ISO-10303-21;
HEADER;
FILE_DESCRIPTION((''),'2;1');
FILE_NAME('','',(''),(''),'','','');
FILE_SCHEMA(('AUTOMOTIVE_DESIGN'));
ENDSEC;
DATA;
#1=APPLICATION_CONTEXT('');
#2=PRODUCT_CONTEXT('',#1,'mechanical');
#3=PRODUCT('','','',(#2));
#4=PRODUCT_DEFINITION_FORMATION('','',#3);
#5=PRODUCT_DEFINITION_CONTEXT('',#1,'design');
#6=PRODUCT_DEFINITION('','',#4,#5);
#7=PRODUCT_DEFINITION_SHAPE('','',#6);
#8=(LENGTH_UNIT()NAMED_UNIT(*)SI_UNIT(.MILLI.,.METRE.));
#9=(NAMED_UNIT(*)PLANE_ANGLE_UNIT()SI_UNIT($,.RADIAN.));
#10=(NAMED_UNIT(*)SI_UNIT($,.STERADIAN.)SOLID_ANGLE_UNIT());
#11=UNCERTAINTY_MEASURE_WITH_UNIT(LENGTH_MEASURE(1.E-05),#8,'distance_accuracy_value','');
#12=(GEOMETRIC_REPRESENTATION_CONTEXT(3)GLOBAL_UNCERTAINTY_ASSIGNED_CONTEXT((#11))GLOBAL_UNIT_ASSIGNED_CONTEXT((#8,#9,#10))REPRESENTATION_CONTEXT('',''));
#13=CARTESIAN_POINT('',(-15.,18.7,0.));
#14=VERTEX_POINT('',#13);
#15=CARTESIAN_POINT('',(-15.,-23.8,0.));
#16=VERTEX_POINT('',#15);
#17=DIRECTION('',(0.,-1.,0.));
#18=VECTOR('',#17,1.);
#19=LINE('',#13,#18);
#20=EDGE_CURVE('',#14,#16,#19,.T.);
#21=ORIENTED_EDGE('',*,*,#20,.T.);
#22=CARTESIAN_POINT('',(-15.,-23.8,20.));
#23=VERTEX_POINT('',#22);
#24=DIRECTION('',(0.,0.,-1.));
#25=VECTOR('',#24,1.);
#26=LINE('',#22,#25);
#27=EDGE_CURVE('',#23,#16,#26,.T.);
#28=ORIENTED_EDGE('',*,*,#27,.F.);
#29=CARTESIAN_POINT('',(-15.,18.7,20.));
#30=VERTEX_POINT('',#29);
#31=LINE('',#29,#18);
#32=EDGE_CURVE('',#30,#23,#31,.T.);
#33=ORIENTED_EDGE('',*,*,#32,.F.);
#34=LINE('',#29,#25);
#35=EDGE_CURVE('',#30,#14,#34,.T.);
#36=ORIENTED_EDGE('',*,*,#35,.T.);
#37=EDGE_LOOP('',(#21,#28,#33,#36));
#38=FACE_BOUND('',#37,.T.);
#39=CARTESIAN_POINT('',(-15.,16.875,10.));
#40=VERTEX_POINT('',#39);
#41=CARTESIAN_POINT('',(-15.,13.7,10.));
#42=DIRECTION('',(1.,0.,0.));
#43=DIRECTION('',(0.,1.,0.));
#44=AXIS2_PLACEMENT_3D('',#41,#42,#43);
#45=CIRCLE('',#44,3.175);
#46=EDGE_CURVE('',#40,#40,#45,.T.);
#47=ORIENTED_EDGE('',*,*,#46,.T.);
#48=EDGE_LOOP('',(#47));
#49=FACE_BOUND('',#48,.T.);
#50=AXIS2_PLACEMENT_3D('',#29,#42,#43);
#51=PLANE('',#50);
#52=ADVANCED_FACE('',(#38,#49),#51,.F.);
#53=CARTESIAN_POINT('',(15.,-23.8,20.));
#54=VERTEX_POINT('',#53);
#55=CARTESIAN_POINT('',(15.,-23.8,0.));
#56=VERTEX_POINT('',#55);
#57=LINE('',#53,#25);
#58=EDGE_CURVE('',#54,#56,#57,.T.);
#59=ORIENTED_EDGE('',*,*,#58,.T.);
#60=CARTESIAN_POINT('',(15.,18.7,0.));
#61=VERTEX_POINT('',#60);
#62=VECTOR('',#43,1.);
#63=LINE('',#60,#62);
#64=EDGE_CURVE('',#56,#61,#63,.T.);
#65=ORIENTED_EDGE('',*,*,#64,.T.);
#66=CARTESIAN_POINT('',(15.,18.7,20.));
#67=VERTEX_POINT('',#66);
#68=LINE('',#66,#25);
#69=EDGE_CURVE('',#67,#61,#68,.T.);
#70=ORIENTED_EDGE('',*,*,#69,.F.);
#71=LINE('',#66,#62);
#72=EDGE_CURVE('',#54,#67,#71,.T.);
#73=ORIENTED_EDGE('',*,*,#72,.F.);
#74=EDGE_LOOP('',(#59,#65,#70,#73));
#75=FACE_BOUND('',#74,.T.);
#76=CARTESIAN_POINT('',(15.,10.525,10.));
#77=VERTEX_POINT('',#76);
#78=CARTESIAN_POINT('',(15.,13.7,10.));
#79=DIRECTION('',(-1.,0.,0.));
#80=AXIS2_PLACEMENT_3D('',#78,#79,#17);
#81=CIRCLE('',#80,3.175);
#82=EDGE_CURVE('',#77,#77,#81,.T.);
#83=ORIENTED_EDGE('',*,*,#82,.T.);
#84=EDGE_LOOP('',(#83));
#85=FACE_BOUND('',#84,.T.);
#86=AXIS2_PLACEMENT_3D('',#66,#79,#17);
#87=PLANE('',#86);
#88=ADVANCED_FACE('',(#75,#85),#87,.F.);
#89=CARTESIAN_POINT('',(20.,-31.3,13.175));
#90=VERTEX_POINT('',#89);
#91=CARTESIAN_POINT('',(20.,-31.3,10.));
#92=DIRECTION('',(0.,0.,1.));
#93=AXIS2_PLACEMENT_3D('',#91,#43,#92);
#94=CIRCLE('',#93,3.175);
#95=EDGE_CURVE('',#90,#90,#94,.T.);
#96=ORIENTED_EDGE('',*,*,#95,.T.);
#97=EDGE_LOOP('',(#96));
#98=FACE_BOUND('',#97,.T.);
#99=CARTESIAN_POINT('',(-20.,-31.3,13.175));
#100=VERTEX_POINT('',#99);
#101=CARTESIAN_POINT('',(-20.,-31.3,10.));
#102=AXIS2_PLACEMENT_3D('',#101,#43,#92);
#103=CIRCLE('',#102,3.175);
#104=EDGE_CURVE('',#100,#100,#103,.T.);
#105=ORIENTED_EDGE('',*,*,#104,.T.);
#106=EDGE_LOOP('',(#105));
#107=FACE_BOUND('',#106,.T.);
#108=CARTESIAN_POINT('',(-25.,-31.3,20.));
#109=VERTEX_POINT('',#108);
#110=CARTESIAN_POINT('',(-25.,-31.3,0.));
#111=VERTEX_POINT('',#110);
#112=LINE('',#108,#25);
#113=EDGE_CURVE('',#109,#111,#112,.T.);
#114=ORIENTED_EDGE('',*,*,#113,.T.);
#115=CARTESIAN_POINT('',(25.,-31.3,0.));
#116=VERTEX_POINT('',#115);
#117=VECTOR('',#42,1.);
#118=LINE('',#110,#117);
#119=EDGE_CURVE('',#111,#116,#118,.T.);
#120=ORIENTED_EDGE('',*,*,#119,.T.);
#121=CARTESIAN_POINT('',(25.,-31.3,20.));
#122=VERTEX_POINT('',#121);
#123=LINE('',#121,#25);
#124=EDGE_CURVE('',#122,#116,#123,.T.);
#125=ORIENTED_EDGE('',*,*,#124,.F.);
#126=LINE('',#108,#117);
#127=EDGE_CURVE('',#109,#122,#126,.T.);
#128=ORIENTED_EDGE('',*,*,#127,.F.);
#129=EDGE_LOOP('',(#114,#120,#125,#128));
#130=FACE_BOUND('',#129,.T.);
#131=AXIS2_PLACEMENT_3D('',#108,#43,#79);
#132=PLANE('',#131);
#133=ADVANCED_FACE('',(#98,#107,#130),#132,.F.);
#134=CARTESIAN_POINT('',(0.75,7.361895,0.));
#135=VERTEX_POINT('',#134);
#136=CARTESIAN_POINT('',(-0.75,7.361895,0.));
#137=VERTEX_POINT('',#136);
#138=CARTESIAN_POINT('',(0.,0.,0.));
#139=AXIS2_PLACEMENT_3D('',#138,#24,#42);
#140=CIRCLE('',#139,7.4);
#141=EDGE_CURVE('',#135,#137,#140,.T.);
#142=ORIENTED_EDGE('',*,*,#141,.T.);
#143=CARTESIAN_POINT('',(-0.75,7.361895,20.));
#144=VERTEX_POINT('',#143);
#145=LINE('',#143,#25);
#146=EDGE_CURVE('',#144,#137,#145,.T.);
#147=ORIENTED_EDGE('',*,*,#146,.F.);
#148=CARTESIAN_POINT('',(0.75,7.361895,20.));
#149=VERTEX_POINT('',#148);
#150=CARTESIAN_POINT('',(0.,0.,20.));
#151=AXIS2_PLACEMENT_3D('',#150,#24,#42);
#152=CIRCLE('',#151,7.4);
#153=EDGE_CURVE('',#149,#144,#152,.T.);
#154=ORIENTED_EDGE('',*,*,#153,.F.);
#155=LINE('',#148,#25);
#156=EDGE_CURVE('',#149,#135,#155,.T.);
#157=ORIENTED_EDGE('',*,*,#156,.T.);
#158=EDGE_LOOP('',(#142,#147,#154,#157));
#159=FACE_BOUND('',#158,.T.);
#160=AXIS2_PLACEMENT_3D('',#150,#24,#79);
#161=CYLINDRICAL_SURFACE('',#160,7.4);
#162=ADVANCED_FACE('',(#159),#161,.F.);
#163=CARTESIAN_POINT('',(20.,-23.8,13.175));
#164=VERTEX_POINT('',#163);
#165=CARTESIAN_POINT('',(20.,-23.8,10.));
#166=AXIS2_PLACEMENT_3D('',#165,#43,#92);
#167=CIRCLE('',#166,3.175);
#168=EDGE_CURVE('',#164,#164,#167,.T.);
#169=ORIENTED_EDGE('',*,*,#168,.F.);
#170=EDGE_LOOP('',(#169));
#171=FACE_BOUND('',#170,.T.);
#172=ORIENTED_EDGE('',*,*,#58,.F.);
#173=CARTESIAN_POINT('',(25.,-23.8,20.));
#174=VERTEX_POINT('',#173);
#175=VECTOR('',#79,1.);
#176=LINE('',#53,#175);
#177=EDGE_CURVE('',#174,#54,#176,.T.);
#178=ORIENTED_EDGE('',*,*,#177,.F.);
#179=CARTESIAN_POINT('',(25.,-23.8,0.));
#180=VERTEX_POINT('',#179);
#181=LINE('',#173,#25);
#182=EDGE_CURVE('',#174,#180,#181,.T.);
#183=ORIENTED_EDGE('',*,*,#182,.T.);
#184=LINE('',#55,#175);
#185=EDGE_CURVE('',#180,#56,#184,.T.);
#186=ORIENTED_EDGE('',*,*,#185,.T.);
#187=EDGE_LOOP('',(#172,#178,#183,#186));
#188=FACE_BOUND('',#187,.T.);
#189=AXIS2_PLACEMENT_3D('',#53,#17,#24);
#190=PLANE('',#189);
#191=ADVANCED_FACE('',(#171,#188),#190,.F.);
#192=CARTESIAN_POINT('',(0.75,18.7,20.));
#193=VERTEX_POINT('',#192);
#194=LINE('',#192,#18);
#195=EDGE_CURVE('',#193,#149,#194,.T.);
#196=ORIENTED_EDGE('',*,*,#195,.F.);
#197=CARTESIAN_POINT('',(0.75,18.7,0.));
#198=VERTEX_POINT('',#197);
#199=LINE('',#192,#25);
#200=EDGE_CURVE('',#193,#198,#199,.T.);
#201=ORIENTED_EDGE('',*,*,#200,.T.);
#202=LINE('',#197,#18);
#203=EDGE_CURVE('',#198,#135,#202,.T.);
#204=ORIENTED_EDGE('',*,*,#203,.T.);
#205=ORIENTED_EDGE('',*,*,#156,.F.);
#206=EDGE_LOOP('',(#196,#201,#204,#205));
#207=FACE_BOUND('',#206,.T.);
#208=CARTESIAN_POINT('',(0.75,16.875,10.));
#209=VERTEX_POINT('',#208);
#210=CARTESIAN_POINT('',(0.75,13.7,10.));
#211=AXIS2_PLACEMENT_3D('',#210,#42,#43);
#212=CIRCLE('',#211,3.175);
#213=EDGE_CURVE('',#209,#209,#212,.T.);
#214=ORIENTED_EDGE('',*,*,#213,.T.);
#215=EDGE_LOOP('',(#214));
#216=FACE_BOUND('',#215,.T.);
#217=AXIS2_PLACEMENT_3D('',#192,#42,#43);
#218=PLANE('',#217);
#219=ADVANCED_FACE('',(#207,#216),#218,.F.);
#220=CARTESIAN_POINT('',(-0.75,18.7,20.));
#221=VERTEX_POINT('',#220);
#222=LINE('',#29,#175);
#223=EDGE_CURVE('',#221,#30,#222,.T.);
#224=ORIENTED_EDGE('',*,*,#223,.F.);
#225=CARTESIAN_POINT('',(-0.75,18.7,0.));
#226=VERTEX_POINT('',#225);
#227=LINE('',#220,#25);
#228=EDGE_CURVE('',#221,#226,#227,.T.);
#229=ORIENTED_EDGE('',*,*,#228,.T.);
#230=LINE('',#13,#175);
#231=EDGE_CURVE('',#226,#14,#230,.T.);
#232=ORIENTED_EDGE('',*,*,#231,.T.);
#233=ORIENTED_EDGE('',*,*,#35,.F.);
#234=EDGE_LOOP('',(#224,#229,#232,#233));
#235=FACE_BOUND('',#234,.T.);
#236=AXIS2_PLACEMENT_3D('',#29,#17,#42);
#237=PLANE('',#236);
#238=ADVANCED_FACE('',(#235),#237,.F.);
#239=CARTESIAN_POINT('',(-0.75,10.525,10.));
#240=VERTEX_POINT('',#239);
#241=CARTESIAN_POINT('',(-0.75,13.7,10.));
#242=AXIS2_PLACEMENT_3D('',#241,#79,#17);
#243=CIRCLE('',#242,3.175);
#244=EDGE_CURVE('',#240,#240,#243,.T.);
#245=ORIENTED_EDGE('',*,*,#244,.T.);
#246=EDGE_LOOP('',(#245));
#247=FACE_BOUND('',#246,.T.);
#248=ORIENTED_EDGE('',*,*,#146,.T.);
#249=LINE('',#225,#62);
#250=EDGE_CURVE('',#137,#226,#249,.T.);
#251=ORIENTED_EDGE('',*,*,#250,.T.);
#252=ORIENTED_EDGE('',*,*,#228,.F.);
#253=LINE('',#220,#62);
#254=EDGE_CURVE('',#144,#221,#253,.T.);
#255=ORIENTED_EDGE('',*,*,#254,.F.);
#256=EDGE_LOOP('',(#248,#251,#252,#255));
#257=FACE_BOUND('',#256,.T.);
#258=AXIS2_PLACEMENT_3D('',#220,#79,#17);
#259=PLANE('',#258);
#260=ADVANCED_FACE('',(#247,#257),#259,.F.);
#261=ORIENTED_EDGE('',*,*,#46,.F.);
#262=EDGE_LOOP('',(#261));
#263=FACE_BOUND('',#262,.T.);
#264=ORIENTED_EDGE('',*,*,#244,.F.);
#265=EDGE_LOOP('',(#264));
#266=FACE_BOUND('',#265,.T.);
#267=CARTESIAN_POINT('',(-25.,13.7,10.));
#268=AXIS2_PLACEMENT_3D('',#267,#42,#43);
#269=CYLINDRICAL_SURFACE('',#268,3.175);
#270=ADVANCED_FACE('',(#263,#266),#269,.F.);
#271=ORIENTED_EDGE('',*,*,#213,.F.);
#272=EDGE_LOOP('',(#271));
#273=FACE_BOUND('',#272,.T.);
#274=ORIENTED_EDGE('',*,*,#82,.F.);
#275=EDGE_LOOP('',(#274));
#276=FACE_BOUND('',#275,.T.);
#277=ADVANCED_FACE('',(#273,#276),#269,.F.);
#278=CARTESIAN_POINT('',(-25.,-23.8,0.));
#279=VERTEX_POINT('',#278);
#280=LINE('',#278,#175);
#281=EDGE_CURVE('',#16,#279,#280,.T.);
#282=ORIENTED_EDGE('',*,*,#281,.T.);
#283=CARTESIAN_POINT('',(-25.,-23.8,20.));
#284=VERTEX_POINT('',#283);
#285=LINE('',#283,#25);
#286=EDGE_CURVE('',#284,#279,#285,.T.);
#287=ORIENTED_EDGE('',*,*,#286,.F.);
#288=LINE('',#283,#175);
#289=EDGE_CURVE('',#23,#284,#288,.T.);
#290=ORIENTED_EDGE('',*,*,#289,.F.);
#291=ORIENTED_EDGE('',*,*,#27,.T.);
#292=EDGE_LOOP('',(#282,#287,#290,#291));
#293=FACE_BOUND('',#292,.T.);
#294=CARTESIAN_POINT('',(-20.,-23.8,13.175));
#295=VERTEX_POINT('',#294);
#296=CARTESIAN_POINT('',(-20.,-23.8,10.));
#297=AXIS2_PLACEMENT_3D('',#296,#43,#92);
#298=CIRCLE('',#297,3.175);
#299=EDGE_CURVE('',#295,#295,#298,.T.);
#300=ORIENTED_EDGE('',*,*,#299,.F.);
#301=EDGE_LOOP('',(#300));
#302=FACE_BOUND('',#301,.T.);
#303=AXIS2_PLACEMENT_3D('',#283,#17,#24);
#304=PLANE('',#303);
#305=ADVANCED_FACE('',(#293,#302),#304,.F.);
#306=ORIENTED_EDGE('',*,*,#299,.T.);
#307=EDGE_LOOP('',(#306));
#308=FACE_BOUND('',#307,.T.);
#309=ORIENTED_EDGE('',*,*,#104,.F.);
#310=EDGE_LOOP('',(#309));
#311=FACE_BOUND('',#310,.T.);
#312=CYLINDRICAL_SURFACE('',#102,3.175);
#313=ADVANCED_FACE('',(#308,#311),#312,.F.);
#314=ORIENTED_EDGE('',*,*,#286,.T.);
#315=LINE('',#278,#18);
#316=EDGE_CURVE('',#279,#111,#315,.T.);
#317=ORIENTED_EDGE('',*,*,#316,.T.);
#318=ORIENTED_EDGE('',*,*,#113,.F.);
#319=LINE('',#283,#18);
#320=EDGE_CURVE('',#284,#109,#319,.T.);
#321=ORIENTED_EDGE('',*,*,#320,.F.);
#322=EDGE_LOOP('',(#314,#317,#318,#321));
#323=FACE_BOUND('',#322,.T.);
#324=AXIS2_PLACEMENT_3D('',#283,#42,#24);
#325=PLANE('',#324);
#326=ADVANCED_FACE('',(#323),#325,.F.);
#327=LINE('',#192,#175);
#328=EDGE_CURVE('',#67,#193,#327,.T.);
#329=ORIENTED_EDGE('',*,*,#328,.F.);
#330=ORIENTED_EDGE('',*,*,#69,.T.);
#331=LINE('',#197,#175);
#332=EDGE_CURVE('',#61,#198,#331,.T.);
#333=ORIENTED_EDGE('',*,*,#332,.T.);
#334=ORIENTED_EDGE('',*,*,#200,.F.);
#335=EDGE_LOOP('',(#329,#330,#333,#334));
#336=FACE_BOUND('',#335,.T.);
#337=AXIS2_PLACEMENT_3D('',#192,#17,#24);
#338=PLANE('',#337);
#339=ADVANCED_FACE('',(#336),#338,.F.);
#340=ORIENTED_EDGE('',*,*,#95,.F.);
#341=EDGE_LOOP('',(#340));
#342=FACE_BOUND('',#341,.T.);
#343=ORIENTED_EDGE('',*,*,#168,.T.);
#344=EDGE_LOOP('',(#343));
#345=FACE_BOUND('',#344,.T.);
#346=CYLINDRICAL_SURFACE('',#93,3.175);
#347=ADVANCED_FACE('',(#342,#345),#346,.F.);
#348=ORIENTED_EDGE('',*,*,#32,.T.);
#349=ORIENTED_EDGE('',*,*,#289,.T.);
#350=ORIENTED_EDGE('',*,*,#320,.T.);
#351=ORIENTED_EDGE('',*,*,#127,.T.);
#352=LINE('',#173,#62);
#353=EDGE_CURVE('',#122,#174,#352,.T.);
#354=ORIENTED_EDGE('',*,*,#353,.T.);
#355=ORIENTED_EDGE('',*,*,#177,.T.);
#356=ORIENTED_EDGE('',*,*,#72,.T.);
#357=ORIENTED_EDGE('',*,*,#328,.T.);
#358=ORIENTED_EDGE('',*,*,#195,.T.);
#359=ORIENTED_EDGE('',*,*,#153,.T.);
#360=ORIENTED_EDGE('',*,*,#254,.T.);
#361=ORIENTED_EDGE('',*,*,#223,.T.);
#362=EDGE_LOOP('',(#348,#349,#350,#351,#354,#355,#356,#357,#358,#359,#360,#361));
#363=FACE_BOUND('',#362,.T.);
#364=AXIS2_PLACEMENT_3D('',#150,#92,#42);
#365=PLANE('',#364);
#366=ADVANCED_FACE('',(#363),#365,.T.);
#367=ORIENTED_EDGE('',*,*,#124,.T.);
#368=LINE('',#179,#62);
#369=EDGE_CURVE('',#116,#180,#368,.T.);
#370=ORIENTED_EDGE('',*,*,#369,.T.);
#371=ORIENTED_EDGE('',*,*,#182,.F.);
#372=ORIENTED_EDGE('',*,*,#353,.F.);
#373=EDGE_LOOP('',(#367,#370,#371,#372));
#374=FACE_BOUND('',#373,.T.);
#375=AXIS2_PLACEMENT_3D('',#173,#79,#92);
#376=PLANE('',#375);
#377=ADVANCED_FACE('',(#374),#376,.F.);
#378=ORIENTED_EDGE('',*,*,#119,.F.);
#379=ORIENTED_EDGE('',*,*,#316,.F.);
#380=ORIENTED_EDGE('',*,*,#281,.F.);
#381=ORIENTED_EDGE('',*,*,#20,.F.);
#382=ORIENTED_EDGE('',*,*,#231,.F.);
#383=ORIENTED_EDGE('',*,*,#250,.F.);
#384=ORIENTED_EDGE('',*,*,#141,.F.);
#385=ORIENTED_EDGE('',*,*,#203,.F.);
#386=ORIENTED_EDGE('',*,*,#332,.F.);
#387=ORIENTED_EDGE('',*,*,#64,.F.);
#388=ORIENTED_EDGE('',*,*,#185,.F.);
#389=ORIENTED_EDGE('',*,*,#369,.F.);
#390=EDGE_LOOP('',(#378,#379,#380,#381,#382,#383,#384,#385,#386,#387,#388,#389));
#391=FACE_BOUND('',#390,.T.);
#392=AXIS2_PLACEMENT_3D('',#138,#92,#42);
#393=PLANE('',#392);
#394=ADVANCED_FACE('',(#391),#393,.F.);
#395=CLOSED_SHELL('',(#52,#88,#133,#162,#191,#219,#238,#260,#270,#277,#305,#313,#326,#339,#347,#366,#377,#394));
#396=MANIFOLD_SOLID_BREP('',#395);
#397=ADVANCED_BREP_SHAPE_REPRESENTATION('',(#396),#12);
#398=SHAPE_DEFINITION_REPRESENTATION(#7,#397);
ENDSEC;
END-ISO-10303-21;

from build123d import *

# Parameters (mm, degrees)
SALIENTE_EXTRUIR1_DEPTH    = 20
CROQUIS2_R                 = 3.175
CORTAR_EXTRUIR1_DEPTH      = 54.209491634
CORTAR_EXTRUIR2_DEPTH      = 55.586536802
CORTAR_EXTRUIR2_DEPTH_BACK = 55.586536802
CROQUIS3_R                 = 3.175


with BuildPart() as part:
    # Croquis1 → Saliente-Extruir1 (new body)
    with BuildSketch(Plane.XY):
        with BuildLine():
            Line((-15, 18.7), (-0.75, 18.7))
            Line((-0.75, 18.7), (-0.75, 7.361895136))
            ThreePointArc((-0.75, 7.361895136), (0, -7.4), (0.75, 7.361895136))
            Line((0.75, 7.361895136), (0.75, 18.7))
            Line((0.75, 18.7), (15, 18.7))
            Line((15, 18.7), (15, -23.8))
            Line((15, -23.8), (25, -23.8))
            Line((25, -23.8), (25, -31.3))
            Line((25, -31.3), (-25, -31.3))
            Line((-25, -31.3), (-25, -23.8))
            Line((-25, -23.8), (-15, -23.8))
            Line((-15, -23.8), (-15, 18.7))
        make_face()
    extrude(amount=SALIENTE_EXTRUIR1_DEPTH)

    # Croquis2 → Cortar-Extruir1 (cut, through all)
    with BuildSketch(Plane(origin=(0, -23.8, 0), x_dir=(1, 0, 0), z_dir=(0, 1, 0))):
        with Locations(Location((-20, -10, 0), (0, 0, 270))):
            Circle(CROQUIS2_R)
        with Locations(Location((20, -10, 0), (0, 0, 270))):
            Circle(CROQUIS2_R)
    extrude(amount=-CORTAR_EXTRUIR1_DEPTH, mode=Mode.SUBTRACT)

    # Croquis3 → Cortar-Extruir2 (cut, two sides: drawn at the far end of the back side and taken through both)
    with BuildSketch(Plane(origin=(15, 0, 0), x_dir=(0, 0, -1), z_dir=(1, 0, 0)).offset(-CORTAR_EXTRUIR2_DEPTH_BACK)):
        with Locations(Location((-10, 13.7, 0), (0, 0, 90))):
            Circle(CROQUIS3_R)
    extrude(amount=CORTAR_EXTRUIR2_DEPTH + CORTAR_EXTRUIR2_DEPTH_BACK, mode=Mode.SUBTRACT)


solid = part.part
